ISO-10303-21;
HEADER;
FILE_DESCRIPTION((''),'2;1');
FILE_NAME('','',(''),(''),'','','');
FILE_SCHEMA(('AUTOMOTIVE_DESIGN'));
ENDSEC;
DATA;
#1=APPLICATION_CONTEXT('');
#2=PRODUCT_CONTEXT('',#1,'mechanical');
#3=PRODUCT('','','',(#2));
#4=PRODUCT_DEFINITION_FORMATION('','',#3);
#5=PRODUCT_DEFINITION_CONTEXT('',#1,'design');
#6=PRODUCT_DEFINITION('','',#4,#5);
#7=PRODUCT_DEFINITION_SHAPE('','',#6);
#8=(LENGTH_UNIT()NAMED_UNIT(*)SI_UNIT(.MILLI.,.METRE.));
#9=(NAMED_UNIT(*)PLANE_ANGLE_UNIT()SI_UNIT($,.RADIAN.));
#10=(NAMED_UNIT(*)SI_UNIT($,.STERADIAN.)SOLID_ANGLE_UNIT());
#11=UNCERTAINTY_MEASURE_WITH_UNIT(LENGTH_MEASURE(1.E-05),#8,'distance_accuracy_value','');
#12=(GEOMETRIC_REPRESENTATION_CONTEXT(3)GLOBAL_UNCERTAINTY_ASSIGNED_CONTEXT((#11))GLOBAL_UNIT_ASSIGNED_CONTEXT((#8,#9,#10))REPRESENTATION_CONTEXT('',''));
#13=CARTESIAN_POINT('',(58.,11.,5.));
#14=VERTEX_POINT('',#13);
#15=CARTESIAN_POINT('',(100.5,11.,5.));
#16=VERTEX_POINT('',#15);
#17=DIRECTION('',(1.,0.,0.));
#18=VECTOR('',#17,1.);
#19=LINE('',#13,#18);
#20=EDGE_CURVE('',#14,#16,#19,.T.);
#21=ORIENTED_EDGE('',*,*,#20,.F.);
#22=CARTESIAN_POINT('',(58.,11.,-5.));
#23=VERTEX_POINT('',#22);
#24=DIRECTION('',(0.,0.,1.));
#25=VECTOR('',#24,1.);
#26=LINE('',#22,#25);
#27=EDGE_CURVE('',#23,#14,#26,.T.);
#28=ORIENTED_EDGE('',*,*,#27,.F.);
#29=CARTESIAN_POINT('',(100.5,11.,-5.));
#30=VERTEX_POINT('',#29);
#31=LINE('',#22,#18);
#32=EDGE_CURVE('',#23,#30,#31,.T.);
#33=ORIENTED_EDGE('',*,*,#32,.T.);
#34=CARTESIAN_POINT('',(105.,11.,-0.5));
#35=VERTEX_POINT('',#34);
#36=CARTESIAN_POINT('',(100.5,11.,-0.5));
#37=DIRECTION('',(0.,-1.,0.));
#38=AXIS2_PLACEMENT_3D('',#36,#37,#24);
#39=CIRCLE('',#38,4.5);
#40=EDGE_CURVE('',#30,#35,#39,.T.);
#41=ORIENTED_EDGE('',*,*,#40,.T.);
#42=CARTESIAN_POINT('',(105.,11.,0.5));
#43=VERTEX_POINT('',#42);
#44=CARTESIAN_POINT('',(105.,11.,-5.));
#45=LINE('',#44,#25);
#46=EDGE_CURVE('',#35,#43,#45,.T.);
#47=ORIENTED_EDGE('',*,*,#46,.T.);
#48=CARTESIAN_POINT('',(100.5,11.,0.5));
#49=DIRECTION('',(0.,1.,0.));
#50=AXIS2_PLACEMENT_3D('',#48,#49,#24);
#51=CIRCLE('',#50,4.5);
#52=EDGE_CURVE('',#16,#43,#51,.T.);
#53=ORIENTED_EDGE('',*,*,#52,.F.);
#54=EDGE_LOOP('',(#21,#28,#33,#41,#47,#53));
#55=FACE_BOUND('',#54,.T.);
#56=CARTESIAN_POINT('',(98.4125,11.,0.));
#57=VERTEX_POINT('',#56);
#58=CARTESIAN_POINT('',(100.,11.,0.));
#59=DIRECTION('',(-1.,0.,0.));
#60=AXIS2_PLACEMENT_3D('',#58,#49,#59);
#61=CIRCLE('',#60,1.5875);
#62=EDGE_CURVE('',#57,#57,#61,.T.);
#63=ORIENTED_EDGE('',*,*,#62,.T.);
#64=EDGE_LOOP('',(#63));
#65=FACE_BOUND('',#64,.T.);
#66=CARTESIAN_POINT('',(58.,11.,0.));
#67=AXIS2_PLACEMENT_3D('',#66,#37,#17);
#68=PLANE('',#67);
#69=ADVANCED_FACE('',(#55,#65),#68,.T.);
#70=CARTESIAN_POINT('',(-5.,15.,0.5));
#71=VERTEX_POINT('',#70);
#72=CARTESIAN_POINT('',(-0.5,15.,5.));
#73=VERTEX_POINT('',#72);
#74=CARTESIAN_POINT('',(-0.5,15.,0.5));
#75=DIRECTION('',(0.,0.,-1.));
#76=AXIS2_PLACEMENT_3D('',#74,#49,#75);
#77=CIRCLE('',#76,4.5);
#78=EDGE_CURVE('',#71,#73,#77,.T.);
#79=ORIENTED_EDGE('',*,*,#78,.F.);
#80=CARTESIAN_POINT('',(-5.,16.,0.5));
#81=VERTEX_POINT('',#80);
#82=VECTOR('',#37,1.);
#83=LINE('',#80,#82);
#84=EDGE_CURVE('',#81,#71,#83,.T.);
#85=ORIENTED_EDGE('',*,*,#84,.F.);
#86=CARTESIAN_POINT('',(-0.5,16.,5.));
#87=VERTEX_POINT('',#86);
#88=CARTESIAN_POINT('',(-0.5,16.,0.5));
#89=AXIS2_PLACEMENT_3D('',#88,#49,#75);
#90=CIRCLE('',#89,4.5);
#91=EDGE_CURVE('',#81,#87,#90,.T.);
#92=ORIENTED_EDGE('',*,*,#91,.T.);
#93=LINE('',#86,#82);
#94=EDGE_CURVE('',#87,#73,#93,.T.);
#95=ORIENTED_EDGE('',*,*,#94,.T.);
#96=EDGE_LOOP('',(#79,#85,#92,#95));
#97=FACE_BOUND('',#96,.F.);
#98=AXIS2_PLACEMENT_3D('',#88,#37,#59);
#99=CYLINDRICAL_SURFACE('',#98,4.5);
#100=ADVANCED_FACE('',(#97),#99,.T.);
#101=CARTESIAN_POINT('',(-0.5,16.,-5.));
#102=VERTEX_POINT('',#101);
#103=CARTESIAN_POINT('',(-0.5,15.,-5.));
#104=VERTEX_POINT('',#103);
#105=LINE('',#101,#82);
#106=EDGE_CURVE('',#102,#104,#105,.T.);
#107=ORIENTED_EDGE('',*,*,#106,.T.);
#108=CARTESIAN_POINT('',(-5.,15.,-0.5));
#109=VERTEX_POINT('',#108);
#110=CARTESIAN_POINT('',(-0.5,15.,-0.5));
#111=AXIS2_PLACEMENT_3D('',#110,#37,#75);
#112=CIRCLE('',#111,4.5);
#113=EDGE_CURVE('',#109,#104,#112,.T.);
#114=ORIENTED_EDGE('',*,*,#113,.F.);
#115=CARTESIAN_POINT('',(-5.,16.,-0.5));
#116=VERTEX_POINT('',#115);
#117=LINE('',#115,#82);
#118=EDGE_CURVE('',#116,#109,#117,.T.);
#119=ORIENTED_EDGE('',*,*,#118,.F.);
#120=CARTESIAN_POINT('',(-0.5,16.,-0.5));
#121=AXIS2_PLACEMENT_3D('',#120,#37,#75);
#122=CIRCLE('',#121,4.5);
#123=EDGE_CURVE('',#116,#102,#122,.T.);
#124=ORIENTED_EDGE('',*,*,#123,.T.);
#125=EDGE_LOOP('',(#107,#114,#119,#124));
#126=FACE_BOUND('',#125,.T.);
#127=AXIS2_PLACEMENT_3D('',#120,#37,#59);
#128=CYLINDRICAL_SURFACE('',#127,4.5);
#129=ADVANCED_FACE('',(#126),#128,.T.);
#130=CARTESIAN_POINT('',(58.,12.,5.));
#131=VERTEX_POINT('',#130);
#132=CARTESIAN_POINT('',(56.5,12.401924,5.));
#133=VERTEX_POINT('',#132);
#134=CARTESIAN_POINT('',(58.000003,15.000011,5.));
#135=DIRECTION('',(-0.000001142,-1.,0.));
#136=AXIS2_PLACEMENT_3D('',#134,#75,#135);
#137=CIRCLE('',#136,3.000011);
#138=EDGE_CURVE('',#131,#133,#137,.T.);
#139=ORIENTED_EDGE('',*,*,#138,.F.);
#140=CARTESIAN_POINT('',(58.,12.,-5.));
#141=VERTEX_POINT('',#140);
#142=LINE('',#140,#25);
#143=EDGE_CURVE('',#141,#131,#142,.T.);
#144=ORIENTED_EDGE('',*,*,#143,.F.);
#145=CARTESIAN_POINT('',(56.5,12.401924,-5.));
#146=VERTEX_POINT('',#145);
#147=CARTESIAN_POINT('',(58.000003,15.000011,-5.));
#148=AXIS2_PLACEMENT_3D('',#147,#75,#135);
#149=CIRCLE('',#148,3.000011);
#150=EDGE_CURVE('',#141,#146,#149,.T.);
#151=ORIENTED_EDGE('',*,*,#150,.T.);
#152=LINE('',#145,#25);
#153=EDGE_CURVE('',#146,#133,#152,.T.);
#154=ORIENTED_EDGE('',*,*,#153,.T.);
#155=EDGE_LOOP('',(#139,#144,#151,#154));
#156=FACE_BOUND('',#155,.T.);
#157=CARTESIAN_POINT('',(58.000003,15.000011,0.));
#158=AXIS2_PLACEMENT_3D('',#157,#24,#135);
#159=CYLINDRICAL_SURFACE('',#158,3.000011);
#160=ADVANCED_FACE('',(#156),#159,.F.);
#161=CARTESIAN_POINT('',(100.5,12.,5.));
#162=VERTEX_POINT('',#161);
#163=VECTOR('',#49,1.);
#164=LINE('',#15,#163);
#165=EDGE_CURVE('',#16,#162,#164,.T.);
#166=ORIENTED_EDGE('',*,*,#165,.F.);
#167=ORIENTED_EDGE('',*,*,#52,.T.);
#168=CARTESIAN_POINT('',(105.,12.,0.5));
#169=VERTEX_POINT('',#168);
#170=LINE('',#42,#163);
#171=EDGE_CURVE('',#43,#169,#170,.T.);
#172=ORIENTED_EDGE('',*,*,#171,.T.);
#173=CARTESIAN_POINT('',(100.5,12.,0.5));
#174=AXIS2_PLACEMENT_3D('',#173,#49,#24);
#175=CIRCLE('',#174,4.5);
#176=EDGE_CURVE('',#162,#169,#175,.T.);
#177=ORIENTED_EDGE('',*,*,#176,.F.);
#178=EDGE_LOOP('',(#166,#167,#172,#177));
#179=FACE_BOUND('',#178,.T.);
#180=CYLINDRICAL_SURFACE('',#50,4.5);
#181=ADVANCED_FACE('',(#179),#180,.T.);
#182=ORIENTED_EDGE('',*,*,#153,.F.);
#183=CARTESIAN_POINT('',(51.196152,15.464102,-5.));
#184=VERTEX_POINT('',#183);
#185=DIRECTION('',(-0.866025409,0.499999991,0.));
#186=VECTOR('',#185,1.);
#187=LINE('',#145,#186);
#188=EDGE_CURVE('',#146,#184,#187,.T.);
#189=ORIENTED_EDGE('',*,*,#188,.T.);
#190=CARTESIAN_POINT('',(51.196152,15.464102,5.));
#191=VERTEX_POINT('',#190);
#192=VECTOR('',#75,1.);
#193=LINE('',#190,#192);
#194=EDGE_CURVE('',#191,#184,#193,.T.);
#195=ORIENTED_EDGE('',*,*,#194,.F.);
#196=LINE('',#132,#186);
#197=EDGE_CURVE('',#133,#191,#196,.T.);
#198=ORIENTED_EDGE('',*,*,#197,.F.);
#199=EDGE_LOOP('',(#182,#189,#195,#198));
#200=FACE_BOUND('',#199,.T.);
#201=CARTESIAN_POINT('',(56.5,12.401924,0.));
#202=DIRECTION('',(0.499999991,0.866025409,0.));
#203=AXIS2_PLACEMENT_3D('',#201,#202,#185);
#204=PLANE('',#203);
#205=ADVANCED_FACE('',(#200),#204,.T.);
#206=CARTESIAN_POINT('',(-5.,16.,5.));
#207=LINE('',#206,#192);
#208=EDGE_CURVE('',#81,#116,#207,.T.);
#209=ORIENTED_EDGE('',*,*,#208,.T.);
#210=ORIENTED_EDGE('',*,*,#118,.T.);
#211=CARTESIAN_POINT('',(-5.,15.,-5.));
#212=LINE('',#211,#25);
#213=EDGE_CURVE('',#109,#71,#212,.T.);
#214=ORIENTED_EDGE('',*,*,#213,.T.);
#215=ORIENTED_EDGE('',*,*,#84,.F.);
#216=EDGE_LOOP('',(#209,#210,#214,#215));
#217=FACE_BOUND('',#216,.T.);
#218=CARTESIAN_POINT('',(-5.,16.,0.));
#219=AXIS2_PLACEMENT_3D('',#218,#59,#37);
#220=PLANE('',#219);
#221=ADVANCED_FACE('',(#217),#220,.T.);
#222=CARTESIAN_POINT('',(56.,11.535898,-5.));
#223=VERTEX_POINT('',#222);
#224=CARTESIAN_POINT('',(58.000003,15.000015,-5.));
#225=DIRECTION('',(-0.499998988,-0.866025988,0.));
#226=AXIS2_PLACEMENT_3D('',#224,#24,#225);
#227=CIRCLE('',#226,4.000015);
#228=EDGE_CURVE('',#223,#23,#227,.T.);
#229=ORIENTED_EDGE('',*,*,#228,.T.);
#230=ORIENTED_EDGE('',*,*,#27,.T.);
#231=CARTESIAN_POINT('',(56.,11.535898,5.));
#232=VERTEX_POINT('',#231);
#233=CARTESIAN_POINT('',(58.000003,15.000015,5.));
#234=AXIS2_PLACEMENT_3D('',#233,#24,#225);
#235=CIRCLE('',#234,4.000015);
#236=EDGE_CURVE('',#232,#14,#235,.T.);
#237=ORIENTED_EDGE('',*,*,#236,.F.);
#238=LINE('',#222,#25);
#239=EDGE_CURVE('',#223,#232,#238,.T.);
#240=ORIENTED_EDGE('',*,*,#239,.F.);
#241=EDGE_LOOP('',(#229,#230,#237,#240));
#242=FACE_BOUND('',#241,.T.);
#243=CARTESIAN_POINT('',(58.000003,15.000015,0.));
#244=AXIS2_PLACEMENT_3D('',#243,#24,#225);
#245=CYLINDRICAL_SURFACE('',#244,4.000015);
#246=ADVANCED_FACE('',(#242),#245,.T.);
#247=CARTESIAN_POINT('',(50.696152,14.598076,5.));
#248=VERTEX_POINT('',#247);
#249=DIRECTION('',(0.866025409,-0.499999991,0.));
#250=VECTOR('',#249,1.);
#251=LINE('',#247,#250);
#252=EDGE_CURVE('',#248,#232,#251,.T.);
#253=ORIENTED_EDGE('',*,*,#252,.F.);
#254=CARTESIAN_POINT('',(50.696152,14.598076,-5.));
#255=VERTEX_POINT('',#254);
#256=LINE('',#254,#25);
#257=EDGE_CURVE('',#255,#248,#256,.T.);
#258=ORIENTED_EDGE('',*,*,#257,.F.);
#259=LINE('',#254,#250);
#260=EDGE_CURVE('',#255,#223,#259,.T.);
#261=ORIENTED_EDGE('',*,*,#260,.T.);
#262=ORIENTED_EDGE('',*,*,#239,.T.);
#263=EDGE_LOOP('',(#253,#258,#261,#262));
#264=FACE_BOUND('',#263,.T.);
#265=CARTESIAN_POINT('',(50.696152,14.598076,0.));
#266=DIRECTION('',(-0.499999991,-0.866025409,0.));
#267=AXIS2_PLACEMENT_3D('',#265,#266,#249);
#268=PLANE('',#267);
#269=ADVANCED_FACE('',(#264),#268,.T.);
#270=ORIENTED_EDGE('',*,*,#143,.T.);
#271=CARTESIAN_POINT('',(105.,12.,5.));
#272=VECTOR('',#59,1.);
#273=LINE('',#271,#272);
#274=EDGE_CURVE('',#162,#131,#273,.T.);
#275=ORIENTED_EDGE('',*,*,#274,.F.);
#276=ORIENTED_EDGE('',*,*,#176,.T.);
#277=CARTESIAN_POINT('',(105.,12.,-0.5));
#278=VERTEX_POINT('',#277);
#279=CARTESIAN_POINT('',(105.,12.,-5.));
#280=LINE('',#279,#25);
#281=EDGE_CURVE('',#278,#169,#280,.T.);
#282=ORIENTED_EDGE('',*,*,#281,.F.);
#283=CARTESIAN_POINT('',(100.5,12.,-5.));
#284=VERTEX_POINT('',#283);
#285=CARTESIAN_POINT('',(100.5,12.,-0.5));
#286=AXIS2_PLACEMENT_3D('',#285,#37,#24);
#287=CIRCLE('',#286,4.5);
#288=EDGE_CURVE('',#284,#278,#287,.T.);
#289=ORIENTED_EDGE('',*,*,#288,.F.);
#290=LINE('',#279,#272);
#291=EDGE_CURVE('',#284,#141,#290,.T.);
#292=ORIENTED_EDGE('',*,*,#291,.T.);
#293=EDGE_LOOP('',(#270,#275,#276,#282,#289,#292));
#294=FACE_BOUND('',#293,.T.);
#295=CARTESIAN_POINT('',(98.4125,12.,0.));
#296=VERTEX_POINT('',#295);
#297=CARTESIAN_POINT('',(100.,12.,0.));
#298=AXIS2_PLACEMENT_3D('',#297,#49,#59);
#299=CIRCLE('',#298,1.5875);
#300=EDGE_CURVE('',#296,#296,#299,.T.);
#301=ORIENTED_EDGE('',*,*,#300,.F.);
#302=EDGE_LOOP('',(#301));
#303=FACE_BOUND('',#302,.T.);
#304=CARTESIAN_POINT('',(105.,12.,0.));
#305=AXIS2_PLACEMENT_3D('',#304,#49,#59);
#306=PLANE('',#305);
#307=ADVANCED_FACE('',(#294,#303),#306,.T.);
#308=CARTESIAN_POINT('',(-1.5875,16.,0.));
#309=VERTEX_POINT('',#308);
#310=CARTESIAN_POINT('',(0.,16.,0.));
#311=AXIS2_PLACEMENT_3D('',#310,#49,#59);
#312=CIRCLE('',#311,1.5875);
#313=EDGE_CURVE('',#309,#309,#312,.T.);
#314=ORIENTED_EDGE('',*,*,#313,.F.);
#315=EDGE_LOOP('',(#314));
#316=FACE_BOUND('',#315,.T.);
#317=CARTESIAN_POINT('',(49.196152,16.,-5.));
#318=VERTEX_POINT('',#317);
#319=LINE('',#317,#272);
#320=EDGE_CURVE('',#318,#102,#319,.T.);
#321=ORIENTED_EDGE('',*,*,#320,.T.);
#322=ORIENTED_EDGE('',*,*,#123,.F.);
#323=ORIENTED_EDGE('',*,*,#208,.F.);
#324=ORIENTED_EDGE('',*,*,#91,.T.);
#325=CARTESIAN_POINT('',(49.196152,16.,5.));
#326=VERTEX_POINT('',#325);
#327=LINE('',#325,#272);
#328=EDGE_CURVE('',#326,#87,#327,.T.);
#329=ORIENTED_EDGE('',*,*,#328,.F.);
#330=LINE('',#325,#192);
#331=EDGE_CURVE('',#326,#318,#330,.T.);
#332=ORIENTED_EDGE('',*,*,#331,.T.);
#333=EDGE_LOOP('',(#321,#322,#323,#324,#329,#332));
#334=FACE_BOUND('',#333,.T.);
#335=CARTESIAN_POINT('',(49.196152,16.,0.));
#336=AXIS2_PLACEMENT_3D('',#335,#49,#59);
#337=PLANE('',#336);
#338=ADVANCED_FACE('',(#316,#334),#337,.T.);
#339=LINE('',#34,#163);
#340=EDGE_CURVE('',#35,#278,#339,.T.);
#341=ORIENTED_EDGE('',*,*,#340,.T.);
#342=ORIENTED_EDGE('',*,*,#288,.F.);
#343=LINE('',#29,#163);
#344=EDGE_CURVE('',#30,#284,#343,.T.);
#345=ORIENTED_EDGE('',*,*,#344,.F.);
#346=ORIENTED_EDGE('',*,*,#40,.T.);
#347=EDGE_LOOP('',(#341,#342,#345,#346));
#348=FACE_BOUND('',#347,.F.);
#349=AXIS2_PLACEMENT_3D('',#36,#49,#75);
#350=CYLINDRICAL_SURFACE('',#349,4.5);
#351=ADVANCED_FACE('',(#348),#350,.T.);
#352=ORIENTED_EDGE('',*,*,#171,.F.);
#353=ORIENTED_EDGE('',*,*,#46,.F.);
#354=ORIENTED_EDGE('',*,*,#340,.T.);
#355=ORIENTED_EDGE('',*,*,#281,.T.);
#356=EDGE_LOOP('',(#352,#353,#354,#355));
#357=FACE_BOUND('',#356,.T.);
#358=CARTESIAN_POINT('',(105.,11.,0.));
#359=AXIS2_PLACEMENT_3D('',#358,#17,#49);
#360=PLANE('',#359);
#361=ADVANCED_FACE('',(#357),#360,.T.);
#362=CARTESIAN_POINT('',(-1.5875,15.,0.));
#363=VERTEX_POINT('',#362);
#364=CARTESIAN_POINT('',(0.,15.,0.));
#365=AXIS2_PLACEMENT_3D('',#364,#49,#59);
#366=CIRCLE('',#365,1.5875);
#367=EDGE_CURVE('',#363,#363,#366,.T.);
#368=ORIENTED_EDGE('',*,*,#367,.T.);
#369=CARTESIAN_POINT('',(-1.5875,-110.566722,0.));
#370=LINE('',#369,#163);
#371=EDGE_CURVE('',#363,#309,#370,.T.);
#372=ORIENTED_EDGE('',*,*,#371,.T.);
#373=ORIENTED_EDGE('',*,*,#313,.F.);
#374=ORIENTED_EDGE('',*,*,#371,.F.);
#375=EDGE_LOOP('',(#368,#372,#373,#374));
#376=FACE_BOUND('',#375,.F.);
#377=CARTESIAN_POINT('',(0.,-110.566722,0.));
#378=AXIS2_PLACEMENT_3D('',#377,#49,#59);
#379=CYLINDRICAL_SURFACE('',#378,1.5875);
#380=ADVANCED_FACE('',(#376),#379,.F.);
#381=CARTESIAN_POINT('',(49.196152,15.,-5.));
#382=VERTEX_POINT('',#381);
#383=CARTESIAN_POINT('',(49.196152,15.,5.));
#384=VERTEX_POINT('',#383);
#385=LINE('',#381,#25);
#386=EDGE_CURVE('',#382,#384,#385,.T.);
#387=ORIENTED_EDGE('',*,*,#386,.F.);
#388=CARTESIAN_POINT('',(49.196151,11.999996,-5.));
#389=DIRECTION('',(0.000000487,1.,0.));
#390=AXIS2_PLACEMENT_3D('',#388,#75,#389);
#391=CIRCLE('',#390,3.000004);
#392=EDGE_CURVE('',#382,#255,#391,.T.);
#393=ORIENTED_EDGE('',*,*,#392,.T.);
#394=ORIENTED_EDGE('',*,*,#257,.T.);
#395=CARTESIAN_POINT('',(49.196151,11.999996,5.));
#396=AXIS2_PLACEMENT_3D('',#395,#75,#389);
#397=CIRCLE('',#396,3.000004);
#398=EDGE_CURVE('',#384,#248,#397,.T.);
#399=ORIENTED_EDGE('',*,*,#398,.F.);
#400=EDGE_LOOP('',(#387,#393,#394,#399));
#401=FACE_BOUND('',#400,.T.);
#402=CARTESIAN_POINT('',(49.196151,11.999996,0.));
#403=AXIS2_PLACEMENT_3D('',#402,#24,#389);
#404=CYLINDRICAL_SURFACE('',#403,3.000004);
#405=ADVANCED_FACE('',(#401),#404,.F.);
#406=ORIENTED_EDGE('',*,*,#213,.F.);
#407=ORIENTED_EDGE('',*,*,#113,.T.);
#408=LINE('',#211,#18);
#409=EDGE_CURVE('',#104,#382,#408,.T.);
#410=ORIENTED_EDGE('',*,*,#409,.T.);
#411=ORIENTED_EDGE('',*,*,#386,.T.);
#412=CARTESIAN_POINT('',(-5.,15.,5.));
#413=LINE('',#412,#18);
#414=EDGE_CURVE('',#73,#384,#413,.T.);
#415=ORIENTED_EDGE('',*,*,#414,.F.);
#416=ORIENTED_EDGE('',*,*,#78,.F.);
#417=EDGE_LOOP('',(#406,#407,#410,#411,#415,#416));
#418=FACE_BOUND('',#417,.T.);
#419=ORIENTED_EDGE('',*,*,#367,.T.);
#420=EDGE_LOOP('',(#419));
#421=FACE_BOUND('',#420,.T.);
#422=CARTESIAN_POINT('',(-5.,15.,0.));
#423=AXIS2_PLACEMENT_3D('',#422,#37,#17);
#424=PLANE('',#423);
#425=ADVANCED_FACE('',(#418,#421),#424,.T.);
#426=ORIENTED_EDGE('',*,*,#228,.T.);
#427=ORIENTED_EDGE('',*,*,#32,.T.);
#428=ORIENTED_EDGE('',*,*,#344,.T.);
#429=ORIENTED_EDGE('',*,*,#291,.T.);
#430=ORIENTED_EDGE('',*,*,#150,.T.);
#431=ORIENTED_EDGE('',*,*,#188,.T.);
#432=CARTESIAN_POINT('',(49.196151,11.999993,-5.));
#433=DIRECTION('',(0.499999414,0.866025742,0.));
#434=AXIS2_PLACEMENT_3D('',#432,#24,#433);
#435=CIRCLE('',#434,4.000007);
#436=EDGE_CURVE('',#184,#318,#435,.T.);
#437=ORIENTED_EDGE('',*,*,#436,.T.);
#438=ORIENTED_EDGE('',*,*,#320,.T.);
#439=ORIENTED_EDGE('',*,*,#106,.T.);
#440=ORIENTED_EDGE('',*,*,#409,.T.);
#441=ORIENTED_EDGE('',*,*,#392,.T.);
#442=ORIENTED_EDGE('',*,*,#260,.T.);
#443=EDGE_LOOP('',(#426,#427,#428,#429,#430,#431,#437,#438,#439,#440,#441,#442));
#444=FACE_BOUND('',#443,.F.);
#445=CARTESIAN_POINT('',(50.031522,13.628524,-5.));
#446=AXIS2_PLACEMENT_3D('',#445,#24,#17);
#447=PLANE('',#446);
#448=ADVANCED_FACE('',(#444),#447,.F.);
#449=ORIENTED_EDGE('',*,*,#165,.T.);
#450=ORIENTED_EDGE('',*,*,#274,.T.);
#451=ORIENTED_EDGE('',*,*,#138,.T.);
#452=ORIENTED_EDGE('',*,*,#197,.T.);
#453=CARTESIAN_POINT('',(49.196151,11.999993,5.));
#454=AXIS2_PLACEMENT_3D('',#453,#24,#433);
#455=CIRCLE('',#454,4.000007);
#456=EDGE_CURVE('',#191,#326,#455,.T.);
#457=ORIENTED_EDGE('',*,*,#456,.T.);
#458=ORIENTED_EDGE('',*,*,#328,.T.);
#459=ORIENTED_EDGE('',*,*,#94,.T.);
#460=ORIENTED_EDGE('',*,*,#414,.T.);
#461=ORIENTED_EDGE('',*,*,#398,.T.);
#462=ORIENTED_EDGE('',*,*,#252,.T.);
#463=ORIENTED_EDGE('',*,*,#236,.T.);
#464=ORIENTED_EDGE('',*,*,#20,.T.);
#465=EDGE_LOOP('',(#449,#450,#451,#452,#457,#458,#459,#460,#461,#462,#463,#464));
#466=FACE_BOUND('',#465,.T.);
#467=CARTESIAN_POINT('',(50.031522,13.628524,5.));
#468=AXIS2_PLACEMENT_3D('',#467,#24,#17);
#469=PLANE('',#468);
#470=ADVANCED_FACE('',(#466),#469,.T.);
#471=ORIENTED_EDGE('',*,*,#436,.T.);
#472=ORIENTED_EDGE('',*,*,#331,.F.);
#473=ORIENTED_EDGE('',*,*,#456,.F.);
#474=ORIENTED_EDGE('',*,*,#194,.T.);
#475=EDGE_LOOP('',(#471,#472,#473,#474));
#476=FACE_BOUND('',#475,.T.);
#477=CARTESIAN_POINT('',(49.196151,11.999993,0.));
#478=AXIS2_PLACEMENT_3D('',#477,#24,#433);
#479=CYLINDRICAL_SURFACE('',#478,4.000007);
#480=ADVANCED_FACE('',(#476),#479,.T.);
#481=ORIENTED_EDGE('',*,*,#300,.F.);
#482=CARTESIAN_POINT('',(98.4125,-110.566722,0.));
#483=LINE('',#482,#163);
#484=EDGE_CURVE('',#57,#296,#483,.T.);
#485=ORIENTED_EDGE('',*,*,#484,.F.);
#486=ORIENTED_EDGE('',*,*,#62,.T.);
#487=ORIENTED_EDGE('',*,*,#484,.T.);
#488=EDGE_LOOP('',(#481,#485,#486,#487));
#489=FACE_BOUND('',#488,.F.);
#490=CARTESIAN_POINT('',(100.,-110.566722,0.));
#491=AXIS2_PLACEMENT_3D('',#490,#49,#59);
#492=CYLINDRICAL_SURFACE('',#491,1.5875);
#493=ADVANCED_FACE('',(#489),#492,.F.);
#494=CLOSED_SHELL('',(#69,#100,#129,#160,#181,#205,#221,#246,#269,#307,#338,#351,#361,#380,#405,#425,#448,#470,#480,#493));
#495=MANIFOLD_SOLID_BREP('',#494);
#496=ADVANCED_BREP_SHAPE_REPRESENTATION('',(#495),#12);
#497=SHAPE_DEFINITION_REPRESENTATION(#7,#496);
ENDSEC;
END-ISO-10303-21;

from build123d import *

# Parameters (mm, degrees)
F1_DEPTH = 5
F3_D     = 3.175
F4_R     = 4.5


with BuildPart() as f1:
    # F0 (on Top) → F1 (new body, symmetric)
    with BuildSketch(Plane.XY):
        with BuildLine():
            Line((-5, 16), (-5, 15))
            Line((-5, 15), (49.196152, 15))
            ThreePointArc((49.196152, 15), (49.97261, 14.897777), (50.696152, 14.598076))
            Line((50.696152, 14.598076), (56, 11.535898))
            ThreePointArc((56, 11.535898), (56.964724, 11.136297), (58, 11))
            Line((58, 11), (105, 11))
            Line((105, 11), (105, 12))
            Line((105, 12), (58, 12))
            ThreePointArc((58, 12), (57.223543, 12.102223), (56.5, 12.401924))
            Line((56.5, 12.401924), (51.196152, 15.464102))
            ThreePointArc((51.196152, 15.464102), (50.231429, 15.863703), (49.196152, 16))
            Line((49.196152, 16), (-5, 16))
        make_face()
    extrude(amount=F1_DEPTH, both=True)

    # F3 (through all)
    with Locations(Plane.XZ):
        with Locations((0, 0), (100, 0)):
            Hole(F3_D / 2)

    # F4
    f4_edges = [f1.edges().sort_by_distance(p)[0] for p in [
        (105, 11.5, 5),
        (105, 11.5, -5),
        (-5, 15.5, 5),
        (-5, 15.5, -5),
    ]]
    fillet(f4_edges, radius=F4_R)


solid = f1.part
